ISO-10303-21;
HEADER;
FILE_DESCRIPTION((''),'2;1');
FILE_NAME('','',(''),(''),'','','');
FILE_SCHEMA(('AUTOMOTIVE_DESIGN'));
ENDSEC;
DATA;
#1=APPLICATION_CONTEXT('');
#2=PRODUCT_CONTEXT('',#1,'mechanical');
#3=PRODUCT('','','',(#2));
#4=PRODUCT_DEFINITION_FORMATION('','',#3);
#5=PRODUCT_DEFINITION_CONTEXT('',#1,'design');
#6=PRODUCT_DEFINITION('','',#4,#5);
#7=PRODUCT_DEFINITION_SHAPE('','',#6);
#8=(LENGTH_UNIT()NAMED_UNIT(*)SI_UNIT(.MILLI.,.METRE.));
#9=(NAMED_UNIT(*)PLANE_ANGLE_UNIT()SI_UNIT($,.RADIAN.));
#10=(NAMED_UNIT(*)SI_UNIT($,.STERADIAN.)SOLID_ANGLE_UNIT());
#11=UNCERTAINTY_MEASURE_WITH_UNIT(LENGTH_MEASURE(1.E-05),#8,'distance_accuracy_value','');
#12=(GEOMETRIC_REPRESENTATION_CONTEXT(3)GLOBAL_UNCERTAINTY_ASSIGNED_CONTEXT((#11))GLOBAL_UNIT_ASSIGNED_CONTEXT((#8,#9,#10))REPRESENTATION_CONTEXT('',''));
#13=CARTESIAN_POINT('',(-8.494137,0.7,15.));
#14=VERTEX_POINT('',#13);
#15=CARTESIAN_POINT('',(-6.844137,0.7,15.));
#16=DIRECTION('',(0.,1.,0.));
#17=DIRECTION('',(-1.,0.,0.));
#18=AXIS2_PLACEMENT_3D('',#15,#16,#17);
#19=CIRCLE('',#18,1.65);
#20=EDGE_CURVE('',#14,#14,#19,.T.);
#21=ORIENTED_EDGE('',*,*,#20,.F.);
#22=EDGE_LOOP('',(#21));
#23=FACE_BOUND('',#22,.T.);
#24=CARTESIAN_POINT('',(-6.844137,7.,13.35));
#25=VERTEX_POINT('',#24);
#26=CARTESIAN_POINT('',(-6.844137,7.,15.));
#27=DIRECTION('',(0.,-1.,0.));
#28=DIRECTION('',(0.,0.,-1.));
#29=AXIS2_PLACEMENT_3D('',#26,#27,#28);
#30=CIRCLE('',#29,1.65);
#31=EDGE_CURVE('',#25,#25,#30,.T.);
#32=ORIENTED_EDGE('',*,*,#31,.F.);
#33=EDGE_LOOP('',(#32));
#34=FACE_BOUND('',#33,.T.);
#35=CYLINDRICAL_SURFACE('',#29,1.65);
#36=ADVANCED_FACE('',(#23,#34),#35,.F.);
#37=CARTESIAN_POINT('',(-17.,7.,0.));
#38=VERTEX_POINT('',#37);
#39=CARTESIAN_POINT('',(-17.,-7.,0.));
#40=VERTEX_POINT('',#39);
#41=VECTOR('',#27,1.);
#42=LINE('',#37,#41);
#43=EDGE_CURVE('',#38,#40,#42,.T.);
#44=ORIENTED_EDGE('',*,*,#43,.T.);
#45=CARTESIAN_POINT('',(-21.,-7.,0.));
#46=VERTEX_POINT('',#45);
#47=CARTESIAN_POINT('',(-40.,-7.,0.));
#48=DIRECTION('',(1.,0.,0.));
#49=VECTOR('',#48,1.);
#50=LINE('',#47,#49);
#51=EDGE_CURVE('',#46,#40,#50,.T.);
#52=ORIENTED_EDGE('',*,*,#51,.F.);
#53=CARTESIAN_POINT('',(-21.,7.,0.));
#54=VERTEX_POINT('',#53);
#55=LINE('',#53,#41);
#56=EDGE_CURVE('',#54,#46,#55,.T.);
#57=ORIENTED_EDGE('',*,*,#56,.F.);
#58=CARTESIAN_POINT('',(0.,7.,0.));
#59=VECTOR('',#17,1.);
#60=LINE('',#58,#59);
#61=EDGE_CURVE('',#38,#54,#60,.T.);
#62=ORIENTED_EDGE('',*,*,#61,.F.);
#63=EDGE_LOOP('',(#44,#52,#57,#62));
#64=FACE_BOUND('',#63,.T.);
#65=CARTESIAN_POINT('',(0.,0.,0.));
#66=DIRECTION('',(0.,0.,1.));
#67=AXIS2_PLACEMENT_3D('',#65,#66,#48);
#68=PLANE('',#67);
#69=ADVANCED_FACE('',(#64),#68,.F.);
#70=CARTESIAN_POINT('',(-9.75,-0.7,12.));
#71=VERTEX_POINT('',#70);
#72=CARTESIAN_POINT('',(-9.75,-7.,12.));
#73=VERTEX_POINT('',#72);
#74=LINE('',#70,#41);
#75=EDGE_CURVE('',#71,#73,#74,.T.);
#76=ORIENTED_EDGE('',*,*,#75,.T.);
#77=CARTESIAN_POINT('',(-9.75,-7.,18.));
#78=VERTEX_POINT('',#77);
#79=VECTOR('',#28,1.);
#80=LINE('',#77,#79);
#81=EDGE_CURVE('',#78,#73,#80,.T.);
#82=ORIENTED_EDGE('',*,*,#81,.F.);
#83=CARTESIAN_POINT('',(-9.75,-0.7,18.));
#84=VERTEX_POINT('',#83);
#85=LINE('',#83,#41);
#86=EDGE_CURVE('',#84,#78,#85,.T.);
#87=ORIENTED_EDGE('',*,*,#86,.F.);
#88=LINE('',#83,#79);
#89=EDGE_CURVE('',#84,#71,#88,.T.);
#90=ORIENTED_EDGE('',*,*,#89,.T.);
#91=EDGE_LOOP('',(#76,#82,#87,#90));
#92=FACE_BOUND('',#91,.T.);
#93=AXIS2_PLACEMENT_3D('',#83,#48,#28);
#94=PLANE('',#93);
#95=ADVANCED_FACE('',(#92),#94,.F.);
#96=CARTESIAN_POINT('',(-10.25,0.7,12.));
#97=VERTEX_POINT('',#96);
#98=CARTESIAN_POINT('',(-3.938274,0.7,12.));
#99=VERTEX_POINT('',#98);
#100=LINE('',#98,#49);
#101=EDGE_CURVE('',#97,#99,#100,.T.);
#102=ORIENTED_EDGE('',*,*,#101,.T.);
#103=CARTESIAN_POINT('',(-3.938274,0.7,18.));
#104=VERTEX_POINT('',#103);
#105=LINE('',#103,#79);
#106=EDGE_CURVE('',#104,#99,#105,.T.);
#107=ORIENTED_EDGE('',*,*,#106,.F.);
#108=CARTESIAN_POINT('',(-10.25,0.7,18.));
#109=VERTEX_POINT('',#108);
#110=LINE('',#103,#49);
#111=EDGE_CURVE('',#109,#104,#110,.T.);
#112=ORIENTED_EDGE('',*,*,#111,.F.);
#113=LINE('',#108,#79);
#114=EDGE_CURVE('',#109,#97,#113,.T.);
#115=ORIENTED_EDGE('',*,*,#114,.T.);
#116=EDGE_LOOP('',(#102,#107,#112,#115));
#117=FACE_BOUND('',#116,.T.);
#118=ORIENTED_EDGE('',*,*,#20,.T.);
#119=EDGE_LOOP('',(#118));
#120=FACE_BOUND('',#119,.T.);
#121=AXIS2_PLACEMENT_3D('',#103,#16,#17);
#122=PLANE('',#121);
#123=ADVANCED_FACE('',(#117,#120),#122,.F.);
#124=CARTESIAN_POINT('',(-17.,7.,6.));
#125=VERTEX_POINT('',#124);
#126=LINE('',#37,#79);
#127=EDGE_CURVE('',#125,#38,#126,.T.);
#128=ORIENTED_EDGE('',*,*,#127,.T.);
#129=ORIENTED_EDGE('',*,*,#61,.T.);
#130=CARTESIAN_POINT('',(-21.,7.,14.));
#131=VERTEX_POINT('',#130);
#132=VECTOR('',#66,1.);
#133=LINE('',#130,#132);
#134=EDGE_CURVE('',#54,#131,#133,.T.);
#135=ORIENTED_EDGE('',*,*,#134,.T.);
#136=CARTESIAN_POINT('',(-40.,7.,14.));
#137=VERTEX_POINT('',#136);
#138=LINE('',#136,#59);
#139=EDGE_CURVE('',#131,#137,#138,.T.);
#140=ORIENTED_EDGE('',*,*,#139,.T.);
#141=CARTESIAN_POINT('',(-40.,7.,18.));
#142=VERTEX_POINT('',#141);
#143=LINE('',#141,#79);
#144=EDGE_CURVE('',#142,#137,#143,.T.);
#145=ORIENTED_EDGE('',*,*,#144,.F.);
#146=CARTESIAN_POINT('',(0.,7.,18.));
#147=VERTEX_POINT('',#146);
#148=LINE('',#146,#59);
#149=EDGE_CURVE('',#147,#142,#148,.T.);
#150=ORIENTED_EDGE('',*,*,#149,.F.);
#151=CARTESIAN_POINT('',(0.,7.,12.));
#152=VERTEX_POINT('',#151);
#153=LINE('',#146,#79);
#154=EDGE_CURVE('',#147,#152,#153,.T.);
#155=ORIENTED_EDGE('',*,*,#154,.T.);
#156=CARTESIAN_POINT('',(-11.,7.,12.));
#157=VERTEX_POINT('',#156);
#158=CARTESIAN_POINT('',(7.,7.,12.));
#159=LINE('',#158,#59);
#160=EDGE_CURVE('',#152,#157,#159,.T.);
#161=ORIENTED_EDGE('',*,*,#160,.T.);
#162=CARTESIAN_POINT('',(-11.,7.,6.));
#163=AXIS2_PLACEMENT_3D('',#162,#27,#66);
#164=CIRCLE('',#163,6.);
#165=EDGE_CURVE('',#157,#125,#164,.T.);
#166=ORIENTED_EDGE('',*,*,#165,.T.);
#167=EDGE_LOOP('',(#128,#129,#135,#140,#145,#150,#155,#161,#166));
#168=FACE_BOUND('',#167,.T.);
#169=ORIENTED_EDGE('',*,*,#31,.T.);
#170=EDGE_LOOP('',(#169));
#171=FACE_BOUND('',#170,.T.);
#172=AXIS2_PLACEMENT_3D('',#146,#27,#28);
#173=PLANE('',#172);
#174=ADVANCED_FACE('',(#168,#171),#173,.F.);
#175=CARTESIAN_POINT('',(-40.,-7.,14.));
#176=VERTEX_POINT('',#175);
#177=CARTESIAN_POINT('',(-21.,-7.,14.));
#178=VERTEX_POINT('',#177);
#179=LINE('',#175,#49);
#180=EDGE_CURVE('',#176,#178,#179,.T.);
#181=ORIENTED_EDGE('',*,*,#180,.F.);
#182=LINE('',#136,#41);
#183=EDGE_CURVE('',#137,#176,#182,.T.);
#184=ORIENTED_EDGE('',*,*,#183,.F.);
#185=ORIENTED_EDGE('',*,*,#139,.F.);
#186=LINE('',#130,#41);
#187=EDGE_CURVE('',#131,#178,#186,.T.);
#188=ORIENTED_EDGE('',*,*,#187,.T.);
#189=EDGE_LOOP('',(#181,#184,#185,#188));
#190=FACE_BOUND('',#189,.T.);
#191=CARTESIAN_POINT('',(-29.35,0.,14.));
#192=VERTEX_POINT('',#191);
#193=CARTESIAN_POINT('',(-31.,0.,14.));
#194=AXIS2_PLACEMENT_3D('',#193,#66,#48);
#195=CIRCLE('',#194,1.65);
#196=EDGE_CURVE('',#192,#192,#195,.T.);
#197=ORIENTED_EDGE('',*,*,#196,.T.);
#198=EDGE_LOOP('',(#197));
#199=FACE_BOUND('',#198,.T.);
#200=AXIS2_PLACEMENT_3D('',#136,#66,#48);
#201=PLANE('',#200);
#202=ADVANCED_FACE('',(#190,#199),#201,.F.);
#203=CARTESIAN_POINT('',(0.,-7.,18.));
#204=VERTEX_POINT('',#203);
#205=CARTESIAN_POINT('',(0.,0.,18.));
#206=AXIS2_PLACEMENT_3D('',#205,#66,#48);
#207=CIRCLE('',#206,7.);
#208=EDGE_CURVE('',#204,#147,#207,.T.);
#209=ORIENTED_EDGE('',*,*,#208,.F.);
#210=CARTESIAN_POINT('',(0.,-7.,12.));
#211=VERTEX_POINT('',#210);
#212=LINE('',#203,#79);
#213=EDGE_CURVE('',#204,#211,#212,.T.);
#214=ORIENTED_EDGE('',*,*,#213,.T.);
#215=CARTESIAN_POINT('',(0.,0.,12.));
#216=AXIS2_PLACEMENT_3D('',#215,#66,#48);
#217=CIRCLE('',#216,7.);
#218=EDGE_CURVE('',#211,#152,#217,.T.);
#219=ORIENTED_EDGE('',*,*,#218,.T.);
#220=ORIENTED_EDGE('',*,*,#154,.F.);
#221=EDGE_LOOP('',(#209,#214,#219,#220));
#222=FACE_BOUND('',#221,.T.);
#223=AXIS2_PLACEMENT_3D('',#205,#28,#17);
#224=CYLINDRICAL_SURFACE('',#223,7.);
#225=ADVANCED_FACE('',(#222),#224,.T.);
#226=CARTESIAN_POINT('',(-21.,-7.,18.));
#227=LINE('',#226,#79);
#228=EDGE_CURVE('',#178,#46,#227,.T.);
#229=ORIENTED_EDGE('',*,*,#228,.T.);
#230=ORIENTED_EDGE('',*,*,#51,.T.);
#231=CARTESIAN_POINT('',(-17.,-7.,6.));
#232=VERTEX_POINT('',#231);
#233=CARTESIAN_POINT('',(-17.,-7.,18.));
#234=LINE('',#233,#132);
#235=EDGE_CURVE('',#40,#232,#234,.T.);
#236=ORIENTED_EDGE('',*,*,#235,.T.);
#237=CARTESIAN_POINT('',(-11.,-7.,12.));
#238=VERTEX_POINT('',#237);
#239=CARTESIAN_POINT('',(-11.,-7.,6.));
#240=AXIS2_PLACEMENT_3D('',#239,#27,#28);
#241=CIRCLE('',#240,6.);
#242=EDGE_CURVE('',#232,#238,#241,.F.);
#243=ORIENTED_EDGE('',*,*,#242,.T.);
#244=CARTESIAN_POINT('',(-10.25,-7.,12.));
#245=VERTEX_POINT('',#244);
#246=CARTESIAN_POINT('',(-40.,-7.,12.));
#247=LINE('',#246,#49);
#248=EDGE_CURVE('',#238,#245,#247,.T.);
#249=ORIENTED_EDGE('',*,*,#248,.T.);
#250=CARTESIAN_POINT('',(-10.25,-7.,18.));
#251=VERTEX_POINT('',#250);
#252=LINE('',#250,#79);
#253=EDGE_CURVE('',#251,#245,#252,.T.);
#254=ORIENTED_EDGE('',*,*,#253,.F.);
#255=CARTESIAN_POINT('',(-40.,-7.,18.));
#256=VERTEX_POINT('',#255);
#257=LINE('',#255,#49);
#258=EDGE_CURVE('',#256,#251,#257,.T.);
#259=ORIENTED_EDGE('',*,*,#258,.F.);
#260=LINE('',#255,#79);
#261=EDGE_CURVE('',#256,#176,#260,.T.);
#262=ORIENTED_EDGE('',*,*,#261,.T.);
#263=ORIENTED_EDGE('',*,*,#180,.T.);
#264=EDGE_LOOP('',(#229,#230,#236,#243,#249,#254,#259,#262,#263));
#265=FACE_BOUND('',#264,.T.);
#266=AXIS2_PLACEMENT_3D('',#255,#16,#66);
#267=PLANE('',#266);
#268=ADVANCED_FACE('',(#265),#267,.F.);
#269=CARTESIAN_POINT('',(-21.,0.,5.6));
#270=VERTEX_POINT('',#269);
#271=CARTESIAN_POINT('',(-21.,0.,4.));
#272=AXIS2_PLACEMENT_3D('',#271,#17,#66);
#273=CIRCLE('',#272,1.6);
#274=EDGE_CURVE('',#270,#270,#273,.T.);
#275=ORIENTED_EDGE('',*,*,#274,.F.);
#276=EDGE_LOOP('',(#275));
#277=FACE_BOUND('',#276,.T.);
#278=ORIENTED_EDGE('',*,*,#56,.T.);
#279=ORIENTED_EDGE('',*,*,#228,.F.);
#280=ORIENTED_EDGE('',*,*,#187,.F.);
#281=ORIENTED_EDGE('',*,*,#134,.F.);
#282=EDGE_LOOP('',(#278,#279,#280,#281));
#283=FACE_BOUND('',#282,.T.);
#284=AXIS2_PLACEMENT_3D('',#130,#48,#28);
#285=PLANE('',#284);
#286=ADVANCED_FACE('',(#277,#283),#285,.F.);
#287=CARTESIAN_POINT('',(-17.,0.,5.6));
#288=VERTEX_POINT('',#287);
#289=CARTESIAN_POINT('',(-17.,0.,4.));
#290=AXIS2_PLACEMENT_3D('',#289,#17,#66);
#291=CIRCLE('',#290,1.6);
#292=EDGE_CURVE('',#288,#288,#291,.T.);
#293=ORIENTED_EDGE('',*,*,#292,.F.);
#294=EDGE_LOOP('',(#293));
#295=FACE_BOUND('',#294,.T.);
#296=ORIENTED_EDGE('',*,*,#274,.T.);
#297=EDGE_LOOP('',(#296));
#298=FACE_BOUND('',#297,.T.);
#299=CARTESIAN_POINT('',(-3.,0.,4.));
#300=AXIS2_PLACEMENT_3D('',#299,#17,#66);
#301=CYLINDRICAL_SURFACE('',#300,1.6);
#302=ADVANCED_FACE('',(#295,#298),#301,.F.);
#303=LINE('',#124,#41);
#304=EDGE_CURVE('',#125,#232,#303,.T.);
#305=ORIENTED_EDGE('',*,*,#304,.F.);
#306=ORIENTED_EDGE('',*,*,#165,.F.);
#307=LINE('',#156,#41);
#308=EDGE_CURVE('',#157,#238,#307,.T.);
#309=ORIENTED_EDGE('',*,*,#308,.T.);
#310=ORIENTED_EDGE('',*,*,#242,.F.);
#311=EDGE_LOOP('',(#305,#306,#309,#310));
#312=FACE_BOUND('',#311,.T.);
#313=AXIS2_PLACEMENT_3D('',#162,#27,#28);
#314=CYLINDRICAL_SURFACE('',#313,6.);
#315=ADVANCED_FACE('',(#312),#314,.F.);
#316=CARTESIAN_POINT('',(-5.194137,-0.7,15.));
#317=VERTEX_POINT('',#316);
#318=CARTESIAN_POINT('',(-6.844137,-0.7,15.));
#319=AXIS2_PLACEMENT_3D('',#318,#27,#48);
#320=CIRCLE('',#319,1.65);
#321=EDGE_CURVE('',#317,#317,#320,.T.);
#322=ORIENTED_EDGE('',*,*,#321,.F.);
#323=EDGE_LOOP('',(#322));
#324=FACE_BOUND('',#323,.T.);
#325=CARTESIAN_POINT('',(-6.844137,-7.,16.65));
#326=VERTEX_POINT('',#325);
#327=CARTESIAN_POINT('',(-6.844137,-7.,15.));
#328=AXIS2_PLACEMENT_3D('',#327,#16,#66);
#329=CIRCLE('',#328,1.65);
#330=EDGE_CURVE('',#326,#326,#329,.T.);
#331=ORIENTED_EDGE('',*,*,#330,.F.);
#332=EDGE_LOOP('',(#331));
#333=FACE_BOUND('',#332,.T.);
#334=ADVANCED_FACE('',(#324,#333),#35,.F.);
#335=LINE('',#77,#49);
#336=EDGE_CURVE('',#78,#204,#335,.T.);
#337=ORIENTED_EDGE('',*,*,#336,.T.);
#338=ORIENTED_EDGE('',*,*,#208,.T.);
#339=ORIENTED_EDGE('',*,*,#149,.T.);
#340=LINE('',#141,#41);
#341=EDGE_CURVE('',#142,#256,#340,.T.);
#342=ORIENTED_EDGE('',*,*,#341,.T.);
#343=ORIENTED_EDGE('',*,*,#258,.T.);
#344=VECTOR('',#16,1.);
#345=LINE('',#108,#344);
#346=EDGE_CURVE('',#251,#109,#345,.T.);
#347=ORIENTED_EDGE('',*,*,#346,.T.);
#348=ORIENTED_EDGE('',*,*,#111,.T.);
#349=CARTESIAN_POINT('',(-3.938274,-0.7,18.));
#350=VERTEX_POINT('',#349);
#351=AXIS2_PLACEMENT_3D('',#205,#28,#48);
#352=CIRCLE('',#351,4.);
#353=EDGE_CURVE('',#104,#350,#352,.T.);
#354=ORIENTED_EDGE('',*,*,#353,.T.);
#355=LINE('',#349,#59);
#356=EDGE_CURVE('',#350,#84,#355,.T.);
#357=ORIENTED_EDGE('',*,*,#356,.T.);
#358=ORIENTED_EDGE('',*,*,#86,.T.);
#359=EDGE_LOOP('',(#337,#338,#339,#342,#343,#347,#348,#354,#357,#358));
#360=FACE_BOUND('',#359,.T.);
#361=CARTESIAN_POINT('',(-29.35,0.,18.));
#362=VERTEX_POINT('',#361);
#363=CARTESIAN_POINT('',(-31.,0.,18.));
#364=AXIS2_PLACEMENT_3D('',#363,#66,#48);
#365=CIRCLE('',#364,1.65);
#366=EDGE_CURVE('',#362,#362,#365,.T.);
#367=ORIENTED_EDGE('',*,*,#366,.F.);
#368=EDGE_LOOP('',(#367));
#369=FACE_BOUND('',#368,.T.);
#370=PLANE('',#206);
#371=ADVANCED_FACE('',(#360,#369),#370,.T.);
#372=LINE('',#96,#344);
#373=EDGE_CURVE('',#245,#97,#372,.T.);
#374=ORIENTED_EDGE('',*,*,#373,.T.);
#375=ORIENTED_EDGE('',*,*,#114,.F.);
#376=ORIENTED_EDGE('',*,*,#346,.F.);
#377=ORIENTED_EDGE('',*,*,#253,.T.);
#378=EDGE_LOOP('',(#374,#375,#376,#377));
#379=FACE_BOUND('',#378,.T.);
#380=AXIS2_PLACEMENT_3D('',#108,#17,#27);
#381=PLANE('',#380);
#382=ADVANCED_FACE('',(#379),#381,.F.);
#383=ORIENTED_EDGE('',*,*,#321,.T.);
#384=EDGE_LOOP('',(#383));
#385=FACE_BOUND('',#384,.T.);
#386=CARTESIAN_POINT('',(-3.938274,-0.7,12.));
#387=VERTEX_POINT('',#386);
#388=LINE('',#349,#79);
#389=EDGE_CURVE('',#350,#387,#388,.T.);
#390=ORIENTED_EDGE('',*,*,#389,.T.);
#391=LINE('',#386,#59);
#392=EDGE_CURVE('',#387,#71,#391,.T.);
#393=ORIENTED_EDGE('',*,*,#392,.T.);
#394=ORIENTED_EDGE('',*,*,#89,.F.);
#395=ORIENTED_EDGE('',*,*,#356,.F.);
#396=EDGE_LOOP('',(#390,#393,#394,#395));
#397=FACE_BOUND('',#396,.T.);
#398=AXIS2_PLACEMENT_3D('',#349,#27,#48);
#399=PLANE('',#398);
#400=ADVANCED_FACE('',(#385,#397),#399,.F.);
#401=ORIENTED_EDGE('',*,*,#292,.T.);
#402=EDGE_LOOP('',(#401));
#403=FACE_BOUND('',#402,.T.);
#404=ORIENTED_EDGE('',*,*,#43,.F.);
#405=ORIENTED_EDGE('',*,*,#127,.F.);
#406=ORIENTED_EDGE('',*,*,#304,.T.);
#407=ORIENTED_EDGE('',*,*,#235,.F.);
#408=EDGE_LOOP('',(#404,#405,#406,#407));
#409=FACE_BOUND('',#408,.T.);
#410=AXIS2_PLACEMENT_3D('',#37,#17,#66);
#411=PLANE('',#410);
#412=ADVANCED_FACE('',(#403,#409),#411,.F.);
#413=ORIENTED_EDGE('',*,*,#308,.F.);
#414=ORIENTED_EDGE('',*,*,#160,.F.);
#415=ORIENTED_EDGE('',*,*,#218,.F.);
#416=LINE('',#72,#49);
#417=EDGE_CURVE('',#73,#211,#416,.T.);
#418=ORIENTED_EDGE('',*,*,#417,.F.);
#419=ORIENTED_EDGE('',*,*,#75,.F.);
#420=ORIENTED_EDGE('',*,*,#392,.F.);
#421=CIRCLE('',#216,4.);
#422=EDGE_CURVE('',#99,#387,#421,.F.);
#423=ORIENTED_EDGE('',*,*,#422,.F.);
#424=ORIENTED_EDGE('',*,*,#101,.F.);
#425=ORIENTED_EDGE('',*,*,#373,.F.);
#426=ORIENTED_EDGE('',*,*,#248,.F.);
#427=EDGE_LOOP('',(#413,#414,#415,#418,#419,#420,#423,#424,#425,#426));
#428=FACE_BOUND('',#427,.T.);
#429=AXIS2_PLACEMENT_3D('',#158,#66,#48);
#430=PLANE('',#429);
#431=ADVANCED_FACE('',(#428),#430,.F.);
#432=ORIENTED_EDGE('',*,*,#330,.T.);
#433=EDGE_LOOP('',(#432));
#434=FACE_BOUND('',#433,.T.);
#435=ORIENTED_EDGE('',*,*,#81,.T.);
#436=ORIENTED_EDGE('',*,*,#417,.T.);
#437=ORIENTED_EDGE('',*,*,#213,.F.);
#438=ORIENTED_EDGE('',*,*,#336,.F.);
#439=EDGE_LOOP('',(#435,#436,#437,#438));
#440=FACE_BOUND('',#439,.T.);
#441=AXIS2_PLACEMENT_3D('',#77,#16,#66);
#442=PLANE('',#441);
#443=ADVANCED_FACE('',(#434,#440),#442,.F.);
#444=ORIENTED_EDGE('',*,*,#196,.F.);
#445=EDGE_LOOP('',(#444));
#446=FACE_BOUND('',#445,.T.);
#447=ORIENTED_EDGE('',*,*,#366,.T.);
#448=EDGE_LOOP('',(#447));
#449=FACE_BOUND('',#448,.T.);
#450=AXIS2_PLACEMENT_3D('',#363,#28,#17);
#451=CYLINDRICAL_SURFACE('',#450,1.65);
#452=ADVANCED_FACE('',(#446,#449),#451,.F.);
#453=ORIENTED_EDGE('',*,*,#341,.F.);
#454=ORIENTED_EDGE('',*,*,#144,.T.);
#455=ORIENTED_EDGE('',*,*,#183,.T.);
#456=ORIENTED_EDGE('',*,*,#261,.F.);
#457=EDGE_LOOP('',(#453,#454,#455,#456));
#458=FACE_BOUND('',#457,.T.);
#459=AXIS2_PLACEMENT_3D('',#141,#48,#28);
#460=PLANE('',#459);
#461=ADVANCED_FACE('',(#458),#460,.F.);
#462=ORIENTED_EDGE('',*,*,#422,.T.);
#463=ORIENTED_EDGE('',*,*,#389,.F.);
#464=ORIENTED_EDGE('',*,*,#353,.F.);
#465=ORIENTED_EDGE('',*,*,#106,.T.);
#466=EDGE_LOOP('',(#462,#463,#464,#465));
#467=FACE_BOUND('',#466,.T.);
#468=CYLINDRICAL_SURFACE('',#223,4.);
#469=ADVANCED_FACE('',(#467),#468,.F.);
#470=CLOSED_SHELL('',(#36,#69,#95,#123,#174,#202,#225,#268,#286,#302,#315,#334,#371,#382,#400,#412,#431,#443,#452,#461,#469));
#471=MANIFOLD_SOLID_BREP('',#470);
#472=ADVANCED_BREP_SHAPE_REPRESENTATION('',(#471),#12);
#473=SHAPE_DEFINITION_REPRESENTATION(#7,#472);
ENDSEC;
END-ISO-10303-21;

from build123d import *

# Parameters (mm, degrees)
ESBO_O2_R                  = 1.65
RESSALTO_EXTRUS_O1_DEPTH   = 18
CORTE_EXTRUS_O1_DEPTH      = 47.043457733
CORTE_EXTRUS_O1_DEPTH_BACK = 47.043457733
ESBO_O3_R                  = 1.65
ESBO_O3_W                  = 19
ESBO_O3_H                  = 14
ESBO_O4_R                  = 1.6
CORTE_EXTRUS_O2_DEPTH      = 18


with BuildPart() as part:
    # Esboço2 → Ressalto-extrusão1 (new body)
    with BuildSketch(Plane.XY):
        with BuildLine():
            Line((0, 7), (-40, 7))
            Line((-40, 7), (-40, -7))
            Line((-40, -7), (-10.25, -7))
            Line((-10.25, -7), (-10.25, 0.7))
            Line((-10.25, 0.7), (-3.938273734, 0.7))
            ThreePointArc((-3.938273734, 0.7), (4, 0), (-3.938273734, -0.7))
            Line((-3.938273734, -0.7), (-9.75, -0.7))
            Line((-9.75, -0.7), (-9.75, -7))
            Line((-9.75, -7), (0, -7))
            ThreePointArc((0, -7), (7, 0), (0, 7))
        make_face()
        with Locations((-31, 0)):
            Circle(ESBO_O2_R, mode=Mode.SUBTRACT)
    extrude(amount=RESSALTO_EXTRUS_O1_DEPTH)

    # Esboço3 → Corte-extrusão1 (cut, two sides: drawn at the far end of the back side and taken through both)
    with BuildSketch(Plane.XZ.offset(7).offset(-CORTE_EXTRUS_O1_DEPTH_BACK)):
        with Locations((-6.844136867, 15)):
            Circle(ESBO_O3_R)
        with Locations((-30.5, 7)):
            Rectangle(ESBO_O3_W, ESBO_O3_H)
        with BuildLine():
            Line((7, 12), (-11, 12))
            ThreePointArc((-11, 12), (-15.242640687, 10.242640687), (-17, 6))
            Line((-17, 6), (-17, 0))
            Line((-17, 0), (7, 0))
            Line((7, 0), (7, 12))
        make_face()
    extrude(amount=CORTE_EXTRUS_O1_DEPTH + CORTE_EXTRUS_O1_DEPTH_BACK, mode=Mode.SUBTRACT)

    # Esboço4 → Corte-extrusão2 (cut)
    with BuildSketch(Plane.ZY.offset(21)):
        with Locations((4, 0)):
            Circle(ESBO_O4_R)
    extrude(amount=-CORTE_EXTRUS_O2_DEPTH, mode=Mode.SUBTRACT)


solid = part.part
